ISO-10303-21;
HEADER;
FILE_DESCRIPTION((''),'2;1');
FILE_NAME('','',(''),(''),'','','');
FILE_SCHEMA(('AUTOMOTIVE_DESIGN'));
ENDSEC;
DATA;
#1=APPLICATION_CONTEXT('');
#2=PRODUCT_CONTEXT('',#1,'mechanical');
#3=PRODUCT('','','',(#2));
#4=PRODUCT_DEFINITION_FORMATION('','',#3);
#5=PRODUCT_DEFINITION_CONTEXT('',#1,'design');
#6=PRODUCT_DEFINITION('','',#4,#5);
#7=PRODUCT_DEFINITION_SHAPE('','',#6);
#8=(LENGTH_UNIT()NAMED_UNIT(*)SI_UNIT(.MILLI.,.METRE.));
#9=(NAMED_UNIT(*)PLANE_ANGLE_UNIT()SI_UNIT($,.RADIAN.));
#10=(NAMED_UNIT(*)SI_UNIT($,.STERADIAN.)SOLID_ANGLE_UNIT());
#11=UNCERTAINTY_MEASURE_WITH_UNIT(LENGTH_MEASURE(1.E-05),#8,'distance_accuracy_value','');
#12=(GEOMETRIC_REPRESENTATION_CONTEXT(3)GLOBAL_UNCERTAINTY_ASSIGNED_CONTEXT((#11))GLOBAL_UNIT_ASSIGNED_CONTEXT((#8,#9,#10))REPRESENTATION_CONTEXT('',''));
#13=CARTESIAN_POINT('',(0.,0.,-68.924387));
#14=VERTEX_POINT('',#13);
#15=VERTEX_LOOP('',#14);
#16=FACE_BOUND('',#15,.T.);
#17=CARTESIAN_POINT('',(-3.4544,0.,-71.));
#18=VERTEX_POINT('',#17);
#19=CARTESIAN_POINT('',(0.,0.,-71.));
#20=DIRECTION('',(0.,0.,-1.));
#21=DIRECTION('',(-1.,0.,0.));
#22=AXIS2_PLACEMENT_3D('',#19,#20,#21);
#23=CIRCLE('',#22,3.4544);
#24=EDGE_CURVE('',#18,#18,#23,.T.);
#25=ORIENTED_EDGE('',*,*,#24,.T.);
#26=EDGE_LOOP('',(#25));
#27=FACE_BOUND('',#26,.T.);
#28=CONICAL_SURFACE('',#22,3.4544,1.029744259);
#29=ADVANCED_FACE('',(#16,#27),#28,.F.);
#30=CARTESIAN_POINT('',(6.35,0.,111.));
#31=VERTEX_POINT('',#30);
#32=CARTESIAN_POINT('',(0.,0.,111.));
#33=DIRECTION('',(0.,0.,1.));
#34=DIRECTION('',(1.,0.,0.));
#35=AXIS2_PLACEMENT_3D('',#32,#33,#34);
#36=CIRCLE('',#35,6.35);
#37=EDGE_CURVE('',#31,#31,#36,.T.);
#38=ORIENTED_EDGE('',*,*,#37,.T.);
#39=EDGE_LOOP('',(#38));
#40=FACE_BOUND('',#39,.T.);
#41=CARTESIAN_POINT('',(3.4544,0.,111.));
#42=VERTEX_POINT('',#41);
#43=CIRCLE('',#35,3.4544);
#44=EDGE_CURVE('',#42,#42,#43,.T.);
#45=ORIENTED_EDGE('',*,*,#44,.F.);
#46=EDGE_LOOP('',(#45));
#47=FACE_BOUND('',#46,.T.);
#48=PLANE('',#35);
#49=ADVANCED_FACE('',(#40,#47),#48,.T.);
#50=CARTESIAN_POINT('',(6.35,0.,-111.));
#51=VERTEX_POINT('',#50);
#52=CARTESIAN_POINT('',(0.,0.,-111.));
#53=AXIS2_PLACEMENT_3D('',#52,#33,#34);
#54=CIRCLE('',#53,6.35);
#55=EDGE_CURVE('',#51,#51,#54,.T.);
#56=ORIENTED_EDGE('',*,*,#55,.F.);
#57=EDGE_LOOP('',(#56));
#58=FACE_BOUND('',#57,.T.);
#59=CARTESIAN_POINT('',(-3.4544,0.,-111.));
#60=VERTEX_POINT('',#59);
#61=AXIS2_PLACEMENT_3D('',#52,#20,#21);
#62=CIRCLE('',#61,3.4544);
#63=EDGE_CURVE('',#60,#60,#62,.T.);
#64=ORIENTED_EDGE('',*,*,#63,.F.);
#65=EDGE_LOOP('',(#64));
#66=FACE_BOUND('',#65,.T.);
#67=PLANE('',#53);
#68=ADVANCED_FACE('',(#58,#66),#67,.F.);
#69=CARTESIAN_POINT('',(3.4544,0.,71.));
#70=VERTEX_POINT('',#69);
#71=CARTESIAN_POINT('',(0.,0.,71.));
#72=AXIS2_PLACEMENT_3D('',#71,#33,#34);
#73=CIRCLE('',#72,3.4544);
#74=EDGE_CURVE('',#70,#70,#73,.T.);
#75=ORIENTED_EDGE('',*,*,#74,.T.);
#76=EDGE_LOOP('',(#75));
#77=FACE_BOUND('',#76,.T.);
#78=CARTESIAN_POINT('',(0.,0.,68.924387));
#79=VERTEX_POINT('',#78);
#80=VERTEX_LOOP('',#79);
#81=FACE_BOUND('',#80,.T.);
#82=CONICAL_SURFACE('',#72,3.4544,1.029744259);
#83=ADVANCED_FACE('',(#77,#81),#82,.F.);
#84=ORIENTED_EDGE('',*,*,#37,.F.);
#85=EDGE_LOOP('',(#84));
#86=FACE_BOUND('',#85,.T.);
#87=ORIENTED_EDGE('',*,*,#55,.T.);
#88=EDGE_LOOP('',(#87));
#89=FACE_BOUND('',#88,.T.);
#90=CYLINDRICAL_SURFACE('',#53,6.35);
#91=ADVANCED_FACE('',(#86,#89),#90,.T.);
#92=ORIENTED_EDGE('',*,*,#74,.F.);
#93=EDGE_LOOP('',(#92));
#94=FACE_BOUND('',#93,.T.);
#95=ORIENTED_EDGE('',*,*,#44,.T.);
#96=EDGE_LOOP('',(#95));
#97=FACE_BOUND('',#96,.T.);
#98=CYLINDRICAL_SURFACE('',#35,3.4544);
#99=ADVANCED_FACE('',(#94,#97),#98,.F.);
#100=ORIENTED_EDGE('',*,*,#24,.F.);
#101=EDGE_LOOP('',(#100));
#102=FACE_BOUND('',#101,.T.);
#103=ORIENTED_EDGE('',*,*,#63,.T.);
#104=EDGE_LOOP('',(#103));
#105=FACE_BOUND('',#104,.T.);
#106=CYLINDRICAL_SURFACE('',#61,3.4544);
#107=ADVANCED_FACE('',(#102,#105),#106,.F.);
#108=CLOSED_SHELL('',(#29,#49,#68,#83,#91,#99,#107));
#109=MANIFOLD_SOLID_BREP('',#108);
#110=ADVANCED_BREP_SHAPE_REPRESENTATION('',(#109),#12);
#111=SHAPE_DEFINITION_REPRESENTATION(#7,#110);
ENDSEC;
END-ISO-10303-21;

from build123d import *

# Parameters (mm, degrees)
BOSS_EXTRUDESHAFT_DEPTH                = 111
BOSS_EXTRUDESHAFT_DEPTH_BACK           = 111
SKETCH1_R                              = 6.35
F_5_16_24_TAPPED_HOLE2_D               = 6.9088
F_5_16_24_TAPPED_HOLE2_DEPTH           = 40
F_5_16_24_TAPPED_HOLE2_TIP             = 2.075612922
F_5_16_24_TAPPED_HOLE2_ON_FACE_2_D     = 6.9088
F_5_16_24_TAPPED_HOLE2_ON_FACE_2_DEPTH = 40
F_5_16_24_TAPPED_HOLE2_ON_FACE_2_TIP   = 2.075612922


with BuildPart() as part:
    # Sketch1 → Boss-ExtrudeShaft (new, two sides: drawn at the far end of the back side and taken through both)
    with BuildSketch(Plane.XY.offset(-BOSS_EXTRUDESHAFT_DEPTH_BACK)):
        Circle(SKETCH1_R)
    extrude(amount=BOSS_EXTRUDESHAFT_DEPTH + BOSS_EXTRUDESHAFT_DEPTH_BACK)

    # 5/16-24 Tapped Hole2
    with Locations(Plane(origin=(0, 0, -111), x_dir=(-1, 0, 0), z_dir=(0, 0, -1))):
        with Locations((0, 0)):
            Hole(F_5_16_24_TAPPED_HOLE2_D / 2, depth=F_5_16_24_TAPPED_HOLE2_DEPTH)
            with Locations((0, 0, -(F_5_16_24_TAPPED_HOLE2_DEPTH + F_5_16_24_TAPPED_HOLE2_TIP / 2))):  # 118° drill point
                Cone(0, F_5_16_24_TAPPED_HOLE2_D / 2, F_5_16_24_TAPPED_HOLE2_TIP, mode=Mode.SUBTRACT)

    # 5/16-24 Tapped Hole2 on face 2
    with Locations(Plane.XY.offset(111)):
        with Locations((0, 0)):
            Hole(F_5_16_24_TAPPED_HOLE2_ON_FACE_2_D / 2, depth=F_5_16_24_TAPPED_HOLE2_ON_FACE_2_DEPTH)
            with Locations((0, 0, -(F_5_16_24_TAPPED_HOLE2_ON_FACE_2_DEPTH + F_5_16_24_TAPPED_HOLE2_ON_FACE_2_TIP / 2))):  # 118° drill point
                Cone(0, F_5_16_24_TAPPED_HOLE2_ON_FACE_2_D / 2, F_5_16_24_TAPPED_HOLE2_ON_FACE_2_TIP, mode=Mode.SUBTRACT)


solid = part.part
